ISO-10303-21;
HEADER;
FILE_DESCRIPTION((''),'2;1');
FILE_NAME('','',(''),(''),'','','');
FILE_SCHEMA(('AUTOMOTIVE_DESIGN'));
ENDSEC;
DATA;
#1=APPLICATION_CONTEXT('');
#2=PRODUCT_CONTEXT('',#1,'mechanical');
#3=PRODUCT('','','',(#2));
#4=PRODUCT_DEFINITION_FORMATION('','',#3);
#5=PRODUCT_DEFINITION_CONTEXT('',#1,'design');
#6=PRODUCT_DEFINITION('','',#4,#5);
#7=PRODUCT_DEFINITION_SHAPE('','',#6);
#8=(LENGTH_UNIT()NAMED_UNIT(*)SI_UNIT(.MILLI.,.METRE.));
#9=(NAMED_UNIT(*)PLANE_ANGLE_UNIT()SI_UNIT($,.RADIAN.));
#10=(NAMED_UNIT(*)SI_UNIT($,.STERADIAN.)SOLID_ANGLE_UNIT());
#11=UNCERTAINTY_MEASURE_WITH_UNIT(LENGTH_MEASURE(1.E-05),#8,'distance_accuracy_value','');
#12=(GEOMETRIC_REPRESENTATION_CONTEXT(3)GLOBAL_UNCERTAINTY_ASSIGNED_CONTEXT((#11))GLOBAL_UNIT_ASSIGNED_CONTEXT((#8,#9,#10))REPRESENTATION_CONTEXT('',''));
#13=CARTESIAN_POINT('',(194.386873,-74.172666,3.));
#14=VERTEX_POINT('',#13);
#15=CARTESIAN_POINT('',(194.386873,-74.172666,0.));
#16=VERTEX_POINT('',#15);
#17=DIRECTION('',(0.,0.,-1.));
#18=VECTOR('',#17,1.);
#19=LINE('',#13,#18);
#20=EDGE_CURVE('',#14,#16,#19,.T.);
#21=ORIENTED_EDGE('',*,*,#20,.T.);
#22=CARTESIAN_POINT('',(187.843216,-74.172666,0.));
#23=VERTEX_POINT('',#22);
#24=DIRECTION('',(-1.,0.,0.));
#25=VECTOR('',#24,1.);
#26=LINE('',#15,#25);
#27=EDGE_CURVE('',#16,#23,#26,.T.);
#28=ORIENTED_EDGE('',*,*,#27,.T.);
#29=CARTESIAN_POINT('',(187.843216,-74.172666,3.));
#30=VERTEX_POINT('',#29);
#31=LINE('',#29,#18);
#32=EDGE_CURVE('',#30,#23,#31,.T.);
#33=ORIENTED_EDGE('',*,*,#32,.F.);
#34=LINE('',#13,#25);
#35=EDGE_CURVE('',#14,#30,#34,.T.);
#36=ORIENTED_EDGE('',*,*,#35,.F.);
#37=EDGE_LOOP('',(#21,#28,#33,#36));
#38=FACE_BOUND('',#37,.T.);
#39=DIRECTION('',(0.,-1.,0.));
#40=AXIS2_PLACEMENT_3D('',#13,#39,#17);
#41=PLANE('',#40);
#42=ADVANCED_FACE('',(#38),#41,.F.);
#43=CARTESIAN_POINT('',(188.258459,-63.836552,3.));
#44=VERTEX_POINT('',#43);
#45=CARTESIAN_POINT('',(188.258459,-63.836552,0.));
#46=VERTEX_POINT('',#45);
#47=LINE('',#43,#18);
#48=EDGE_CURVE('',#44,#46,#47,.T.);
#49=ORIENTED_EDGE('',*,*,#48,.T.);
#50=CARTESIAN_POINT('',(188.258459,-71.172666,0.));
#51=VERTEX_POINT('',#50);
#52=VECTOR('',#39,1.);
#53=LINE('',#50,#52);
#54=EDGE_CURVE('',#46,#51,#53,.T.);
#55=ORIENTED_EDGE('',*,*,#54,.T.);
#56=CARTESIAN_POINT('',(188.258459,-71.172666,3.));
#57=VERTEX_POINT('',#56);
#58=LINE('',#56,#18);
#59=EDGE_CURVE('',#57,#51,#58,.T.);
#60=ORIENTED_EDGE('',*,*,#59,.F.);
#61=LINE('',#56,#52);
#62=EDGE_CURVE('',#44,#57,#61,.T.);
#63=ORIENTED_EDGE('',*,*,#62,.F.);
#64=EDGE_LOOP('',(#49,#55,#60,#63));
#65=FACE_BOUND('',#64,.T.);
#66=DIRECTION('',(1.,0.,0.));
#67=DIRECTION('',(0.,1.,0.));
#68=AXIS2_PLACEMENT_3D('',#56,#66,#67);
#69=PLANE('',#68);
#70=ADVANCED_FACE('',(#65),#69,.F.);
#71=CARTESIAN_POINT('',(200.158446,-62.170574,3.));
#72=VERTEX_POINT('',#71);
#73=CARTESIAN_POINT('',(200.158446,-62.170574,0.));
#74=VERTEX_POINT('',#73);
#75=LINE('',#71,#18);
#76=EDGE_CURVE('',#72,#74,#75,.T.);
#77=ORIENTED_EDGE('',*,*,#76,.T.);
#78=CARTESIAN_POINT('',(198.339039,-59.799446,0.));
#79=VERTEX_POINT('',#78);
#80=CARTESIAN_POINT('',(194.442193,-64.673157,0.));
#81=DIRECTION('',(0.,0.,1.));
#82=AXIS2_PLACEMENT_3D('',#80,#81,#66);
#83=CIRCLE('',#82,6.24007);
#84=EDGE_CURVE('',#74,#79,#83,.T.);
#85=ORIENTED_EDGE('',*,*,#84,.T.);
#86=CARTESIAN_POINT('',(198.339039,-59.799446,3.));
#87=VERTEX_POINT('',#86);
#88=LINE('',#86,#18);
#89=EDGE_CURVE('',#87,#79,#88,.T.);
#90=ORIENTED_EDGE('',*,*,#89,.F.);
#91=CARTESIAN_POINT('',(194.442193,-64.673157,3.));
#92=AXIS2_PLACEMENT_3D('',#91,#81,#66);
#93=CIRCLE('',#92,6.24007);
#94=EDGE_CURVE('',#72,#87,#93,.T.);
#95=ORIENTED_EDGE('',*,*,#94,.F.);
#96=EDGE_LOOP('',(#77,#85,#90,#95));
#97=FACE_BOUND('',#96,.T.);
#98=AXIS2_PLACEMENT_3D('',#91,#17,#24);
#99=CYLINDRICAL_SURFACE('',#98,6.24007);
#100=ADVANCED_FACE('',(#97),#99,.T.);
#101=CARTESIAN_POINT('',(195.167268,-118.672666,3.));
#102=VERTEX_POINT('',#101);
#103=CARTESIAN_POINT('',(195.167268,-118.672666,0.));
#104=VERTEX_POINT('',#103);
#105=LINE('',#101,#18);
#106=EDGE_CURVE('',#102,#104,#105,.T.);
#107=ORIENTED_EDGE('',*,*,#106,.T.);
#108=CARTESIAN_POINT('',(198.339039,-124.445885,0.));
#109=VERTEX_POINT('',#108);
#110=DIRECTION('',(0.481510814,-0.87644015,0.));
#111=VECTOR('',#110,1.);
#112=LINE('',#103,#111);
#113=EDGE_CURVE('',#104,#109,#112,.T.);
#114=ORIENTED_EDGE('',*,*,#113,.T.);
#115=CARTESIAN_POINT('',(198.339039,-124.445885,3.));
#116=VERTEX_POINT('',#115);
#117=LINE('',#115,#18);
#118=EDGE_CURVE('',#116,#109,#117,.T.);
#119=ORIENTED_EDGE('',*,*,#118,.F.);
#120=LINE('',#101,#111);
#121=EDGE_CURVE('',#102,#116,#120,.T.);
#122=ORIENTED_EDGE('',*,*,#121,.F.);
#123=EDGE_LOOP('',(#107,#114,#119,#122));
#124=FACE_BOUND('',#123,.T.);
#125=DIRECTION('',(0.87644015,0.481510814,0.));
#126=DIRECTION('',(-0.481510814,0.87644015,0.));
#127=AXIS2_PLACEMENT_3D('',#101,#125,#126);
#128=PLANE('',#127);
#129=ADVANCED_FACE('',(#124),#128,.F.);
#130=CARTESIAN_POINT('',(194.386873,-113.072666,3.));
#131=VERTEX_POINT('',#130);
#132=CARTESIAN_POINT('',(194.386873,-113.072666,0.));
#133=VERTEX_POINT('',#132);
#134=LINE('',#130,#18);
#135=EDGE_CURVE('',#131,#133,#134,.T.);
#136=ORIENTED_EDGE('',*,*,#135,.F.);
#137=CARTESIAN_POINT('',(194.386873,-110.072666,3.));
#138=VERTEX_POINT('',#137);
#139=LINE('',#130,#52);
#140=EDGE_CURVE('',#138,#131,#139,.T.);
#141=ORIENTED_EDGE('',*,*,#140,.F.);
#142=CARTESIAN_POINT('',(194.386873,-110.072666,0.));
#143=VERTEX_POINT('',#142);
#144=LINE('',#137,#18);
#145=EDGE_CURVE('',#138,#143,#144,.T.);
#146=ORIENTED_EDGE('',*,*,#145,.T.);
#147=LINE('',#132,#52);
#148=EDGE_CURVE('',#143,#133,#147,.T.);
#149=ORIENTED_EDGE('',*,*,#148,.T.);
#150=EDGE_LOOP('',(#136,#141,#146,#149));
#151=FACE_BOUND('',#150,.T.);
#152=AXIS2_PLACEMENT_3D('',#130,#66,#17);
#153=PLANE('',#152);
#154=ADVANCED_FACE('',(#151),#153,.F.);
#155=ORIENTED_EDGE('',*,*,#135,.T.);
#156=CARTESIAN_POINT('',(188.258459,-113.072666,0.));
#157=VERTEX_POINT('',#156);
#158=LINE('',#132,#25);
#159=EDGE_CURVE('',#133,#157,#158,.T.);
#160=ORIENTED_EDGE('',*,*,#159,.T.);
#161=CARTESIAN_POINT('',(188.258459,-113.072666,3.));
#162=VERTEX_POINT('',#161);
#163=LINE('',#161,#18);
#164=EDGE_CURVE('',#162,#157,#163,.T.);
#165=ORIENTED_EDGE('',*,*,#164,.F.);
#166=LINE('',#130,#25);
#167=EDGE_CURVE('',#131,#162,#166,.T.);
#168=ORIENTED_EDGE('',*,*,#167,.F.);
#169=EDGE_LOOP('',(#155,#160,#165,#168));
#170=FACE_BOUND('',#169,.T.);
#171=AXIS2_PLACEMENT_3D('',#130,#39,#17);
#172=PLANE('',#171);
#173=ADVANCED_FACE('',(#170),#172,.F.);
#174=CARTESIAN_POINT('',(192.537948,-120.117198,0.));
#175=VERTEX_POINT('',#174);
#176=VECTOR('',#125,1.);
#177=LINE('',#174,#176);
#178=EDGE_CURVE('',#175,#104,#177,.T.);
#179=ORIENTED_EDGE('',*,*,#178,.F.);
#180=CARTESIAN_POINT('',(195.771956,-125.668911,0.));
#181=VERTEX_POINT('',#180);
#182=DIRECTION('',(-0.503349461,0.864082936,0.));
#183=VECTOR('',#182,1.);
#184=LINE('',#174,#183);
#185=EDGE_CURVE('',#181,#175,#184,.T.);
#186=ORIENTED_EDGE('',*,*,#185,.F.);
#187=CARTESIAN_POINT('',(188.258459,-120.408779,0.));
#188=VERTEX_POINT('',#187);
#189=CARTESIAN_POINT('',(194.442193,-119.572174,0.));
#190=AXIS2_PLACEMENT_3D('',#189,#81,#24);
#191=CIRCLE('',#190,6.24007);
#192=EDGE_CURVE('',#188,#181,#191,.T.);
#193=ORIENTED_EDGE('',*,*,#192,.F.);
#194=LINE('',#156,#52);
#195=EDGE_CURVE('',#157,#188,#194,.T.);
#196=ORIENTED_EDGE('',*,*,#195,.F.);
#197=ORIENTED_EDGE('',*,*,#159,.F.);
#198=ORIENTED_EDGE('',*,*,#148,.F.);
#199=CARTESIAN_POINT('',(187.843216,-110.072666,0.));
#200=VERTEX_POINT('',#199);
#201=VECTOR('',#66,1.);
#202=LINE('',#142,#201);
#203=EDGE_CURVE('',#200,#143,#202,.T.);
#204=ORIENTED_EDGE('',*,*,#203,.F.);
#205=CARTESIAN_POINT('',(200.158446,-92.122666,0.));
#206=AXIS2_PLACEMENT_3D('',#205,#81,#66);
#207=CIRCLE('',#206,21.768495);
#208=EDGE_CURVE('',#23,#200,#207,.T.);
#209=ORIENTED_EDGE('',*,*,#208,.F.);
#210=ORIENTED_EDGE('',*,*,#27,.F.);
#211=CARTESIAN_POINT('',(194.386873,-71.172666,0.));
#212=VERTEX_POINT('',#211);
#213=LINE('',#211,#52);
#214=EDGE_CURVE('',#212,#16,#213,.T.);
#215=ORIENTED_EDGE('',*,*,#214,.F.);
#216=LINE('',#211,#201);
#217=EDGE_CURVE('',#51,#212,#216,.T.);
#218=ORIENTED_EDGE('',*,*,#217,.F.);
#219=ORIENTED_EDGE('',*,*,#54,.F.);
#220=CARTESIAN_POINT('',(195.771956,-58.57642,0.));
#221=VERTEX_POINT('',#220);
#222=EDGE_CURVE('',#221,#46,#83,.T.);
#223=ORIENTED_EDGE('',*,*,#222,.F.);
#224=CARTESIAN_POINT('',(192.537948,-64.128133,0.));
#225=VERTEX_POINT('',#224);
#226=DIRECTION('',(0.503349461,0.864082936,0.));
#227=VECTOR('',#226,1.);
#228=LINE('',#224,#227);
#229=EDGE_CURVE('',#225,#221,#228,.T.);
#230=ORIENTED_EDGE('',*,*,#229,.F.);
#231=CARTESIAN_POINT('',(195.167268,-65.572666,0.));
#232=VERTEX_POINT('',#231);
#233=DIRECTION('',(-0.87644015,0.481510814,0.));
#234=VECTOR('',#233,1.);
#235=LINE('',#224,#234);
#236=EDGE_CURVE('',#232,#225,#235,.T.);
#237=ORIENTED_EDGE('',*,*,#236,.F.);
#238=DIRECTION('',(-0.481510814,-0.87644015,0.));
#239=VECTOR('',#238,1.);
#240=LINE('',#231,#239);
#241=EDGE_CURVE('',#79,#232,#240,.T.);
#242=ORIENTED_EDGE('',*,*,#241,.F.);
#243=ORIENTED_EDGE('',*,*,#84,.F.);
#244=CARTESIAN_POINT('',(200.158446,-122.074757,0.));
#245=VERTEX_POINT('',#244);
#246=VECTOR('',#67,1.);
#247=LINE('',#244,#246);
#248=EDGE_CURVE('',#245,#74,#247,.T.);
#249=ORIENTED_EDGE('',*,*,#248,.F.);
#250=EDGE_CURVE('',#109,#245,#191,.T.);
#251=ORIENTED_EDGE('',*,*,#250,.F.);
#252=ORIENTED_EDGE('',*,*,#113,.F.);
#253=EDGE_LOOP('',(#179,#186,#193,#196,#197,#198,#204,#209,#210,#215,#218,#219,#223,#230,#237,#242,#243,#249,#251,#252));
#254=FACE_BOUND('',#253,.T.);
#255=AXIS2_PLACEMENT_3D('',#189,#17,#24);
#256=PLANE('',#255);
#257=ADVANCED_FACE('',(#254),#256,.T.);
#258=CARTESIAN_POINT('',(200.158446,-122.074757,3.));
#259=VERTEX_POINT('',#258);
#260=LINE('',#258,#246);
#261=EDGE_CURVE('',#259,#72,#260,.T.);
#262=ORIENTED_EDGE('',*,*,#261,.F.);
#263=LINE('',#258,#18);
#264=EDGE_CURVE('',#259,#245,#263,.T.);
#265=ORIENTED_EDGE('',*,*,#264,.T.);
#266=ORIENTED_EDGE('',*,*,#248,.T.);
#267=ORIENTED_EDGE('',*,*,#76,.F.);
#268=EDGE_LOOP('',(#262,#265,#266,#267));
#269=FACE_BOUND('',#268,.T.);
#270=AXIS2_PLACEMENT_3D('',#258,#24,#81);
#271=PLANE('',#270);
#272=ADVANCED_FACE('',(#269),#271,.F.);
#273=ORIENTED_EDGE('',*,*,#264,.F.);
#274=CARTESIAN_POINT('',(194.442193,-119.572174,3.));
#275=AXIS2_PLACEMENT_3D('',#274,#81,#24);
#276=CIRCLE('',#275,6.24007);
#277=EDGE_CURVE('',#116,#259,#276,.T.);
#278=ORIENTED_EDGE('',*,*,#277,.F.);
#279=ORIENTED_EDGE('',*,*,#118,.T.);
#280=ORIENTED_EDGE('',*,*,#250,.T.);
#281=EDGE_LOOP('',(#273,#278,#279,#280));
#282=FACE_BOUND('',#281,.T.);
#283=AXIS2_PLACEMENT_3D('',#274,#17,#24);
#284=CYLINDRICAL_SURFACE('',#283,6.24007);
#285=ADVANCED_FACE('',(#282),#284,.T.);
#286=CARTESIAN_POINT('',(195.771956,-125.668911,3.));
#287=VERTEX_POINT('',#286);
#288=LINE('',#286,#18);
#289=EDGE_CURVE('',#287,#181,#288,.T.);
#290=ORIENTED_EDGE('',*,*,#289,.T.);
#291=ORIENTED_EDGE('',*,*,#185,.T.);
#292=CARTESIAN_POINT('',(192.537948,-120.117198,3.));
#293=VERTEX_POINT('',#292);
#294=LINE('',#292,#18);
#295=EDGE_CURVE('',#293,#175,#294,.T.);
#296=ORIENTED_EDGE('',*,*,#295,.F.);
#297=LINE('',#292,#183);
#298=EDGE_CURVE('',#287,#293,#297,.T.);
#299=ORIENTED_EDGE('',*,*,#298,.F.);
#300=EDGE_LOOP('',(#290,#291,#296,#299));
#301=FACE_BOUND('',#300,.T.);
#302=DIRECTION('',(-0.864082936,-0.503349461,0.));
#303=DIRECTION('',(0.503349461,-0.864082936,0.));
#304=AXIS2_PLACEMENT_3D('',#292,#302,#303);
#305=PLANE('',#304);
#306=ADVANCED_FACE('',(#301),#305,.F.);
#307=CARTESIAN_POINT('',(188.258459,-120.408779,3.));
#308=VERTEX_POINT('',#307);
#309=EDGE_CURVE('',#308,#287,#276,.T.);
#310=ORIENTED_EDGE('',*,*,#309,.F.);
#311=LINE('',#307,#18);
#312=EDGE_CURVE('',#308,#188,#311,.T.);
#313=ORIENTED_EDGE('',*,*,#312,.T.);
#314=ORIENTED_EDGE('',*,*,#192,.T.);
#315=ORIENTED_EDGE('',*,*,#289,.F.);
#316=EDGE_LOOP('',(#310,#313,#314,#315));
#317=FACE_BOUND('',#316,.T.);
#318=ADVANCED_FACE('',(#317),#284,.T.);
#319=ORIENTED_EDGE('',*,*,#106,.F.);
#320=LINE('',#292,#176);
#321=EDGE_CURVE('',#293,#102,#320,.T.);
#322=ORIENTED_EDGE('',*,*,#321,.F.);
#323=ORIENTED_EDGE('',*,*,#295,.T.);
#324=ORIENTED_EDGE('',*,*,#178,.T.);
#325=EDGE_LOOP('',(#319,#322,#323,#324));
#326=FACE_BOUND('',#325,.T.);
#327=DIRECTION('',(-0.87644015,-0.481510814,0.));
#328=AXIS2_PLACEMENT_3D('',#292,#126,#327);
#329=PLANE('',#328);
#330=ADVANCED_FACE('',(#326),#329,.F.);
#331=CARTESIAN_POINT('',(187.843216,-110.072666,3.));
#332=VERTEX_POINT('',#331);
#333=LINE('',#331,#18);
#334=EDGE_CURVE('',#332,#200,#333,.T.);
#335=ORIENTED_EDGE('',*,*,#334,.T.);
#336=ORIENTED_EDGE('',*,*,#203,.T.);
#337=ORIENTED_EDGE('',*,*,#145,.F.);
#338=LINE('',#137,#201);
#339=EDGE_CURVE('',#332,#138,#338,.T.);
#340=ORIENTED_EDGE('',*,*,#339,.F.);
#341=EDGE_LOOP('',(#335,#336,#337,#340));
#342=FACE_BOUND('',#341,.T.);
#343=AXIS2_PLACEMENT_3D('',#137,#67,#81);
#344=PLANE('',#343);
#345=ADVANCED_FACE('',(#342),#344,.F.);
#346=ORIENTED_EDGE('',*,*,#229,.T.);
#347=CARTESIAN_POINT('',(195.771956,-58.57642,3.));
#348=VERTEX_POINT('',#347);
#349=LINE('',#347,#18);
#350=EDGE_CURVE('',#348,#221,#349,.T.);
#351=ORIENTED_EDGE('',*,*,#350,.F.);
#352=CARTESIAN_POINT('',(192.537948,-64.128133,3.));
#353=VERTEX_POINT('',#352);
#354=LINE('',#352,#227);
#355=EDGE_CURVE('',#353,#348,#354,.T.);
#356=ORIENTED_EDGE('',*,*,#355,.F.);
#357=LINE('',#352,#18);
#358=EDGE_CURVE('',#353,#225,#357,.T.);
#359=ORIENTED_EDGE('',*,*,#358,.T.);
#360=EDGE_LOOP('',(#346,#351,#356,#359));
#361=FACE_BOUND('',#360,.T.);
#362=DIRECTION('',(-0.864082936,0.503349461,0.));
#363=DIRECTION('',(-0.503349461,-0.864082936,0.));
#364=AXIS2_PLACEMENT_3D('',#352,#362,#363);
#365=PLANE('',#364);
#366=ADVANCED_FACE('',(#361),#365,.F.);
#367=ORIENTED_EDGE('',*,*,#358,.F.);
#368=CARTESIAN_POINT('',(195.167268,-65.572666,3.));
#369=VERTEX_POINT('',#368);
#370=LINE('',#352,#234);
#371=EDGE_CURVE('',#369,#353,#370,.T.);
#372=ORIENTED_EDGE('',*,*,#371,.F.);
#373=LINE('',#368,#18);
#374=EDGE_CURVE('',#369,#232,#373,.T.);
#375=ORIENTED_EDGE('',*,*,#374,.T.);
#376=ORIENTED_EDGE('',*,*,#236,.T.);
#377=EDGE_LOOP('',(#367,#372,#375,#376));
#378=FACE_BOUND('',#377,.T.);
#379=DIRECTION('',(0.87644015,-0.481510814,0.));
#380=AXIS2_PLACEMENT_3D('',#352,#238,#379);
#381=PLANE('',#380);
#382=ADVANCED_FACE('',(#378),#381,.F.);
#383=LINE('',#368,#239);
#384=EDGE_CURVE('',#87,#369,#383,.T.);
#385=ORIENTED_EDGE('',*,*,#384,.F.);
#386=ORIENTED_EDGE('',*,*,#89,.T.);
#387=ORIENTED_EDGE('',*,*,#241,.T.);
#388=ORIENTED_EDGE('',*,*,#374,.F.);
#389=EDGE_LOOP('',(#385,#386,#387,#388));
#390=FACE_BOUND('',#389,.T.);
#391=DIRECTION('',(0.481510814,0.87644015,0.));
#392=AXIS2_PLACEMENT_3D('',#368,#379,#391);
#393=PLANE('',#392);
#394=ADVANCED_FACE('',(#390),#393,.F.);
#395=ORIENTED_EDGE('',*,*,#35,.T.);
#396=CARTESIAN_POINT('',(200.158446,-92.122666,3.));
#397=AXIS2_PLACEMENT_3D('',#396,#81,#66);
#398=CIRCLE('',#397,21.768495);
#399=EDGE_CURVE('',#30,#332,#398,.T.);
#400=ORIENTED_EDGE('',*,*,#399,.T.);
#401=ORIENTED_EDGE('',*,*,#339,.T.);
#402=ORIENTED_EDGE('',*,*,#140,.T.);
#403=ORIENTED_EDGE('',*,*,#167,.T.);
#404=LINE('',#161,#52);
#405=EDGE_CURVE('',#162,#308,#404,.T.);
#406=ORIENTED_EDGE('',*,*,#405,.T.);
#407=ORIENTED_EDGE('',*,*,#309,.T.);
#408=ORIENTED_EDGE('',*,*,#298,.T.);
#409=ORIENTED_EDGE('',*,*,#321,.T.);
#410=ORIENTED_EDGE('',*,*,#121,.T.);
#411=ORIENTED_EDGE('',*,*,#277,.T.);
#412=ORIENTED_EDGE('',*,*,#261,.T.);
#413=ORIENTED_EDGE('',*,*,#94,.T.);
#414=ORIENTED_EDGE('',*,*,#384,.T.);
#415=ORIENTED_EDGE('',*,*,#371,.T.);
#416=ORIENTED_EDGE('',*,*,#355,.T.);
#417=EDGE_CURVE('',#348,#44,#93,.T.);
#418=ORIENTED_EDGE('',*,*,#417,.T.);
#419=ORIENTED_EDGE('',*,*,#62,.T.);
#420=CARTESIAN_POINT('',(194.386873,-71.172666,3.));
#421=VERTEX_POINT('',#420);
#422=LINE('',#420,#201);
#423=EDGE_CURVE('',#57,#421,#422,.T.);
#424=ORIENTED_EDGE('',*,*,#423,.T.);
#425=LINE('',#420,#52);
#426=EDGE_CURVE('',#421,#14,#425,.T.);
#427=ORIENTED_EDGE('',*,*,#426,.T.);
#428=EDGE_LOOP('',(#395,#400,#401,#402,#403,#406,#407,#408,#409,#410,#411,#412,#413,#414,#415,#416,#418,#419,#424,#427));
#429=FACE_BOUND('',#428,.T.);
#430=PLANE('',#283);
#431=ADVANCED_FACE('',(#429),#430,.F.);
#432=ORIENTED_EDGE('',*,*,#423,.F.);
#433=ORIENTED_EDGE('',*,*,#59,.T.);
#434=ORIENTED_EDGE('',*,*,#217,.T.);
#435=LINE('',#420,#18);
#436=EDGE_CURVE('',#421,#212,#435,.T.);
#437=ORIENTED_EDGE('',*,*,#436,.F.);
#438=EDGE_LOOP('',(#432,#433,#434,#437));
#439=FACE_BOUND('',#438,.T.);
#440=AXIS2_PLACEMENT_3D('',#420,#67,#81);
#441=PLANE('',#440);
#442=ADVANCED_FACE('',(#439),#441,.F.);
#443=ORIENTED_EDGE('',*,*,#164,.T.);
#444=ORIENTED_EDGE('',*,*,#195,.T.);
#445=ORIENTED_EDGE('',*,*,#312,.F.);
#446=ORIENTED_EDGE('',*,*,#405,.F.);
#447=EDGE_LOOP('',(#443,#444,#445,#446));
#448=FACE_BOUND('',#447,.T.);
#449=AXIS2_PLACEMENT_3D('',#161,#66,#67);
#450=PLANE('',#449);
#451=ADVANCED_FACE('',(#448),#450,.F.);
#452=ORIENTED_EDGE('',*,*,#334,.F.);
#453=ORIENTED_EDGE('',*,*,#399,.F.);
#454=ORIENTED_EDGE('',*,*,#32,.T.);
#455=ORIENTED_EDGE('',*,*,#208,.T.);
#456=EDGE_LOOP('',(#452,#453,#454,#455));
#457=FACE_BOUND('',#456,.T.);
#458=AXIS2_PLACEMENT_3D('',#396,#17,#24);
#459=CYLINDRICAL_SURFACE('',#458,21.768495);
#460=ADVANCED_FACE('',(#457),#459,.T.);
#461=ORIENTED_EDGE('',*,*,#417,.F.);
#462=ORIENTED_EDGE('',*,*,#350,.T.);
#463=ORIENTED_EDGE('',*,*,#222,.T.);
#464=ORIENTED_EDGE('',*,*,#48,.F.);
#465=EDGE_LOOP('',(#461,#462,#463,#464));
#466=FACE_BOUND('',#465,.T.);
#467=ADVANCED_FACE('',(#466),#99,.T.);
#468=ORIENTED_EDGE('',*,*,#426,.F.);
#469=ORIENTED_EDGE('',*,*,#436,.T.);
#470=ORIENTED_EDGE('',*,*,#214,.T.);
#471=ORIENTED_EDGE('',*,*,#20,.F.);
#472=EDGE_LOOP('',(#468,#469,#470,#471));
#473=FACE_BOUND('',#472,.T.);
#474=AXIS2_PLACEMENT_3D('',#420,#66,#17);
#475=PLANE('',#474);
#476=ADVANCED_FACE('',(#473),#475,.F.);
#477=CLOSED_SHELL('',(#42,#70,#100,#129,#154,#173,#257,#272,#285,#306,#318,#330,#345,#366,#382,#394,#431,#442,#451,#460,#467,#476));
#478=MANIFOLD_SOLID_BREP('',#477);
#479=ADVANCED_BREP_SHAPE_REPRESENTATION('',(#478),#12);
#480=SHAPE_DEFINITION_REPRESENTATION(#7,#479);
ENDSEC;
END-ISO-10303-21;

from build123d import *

# Parameters (mm, degrees)
BASE_EXTRUDE_DEPTH = 3


with BuildPart() as part:
    # Sketch1 → Base-Extrude (new body)
    with BuildSketch(Plane.XY):
        with BuildLine():
            Line((195.167267959, -118.672665529), (198.339039248, -124.445885207))
            ThreePointArc((198.339039248, -124.445885207), (199.392796981, -123.370856688), (200.158445725, -122.07475728))
            Line((200.158445725, -122.07475728), (200.158445725, -62.170573778))
            ThreePointArc((200.158445725, -62.170573778), (199.392796981, -60.874474369), (198.339039248, -59.79944585))
            Line((198.339039248, -59.79944585), (195.167267959, -65.572665529))
            Line((195.167267959, -65.572665529), (192.537947509, -64.128133088))
            Line((192.537947509, -64.128133088), (195.771956334, -58.576419897))
            ThreePointArc((195.771956334, -58.576419897), (190.863435389, -59.561310884), (188.258458895, -63.836551882))
            Line((188.258458895, -63.836551882), (188.258458895, -71.172665529))
            Line((188.258458895, -71.172665529), (194.386873079, -71.172665529))
            Line((194.386873079, -71.172665529), (194.386873079, -74.172665529))
            Line((194.386873079, -74.172665529), (187.843216204, -74.172665529))
            ThreePointArc((187.843216204, -74.172665529), (178.389950643, -92.122665529), (187.843216204, -110.072665529))
            Line((187.843216204, -110.072665529), (194.386873079, -110.072665529))
            Line((194.386873079, -110.072665529), (194.386873079, -113.072665529))
            Line((194.386873079, -113.072665529), (188.258458895, -113.072665529))
            Line((188.258458895, -113.072665529), (188.258458895, -120.408779175))
            ThreePointArc((188.258458895, -120.408779175), (190.863435389, -124.684020173), (195.771956334, -125.66891116))
            Line((195.771956334, -125.66891116), (192.537947509, -120.117197969))
            Line((192.537947509, -120.117197969), (195.167267959, -118.672665529))
        make_face()
    extrude(amount=BASE_EXTRUDE_DEPTH)


solid = part.part
